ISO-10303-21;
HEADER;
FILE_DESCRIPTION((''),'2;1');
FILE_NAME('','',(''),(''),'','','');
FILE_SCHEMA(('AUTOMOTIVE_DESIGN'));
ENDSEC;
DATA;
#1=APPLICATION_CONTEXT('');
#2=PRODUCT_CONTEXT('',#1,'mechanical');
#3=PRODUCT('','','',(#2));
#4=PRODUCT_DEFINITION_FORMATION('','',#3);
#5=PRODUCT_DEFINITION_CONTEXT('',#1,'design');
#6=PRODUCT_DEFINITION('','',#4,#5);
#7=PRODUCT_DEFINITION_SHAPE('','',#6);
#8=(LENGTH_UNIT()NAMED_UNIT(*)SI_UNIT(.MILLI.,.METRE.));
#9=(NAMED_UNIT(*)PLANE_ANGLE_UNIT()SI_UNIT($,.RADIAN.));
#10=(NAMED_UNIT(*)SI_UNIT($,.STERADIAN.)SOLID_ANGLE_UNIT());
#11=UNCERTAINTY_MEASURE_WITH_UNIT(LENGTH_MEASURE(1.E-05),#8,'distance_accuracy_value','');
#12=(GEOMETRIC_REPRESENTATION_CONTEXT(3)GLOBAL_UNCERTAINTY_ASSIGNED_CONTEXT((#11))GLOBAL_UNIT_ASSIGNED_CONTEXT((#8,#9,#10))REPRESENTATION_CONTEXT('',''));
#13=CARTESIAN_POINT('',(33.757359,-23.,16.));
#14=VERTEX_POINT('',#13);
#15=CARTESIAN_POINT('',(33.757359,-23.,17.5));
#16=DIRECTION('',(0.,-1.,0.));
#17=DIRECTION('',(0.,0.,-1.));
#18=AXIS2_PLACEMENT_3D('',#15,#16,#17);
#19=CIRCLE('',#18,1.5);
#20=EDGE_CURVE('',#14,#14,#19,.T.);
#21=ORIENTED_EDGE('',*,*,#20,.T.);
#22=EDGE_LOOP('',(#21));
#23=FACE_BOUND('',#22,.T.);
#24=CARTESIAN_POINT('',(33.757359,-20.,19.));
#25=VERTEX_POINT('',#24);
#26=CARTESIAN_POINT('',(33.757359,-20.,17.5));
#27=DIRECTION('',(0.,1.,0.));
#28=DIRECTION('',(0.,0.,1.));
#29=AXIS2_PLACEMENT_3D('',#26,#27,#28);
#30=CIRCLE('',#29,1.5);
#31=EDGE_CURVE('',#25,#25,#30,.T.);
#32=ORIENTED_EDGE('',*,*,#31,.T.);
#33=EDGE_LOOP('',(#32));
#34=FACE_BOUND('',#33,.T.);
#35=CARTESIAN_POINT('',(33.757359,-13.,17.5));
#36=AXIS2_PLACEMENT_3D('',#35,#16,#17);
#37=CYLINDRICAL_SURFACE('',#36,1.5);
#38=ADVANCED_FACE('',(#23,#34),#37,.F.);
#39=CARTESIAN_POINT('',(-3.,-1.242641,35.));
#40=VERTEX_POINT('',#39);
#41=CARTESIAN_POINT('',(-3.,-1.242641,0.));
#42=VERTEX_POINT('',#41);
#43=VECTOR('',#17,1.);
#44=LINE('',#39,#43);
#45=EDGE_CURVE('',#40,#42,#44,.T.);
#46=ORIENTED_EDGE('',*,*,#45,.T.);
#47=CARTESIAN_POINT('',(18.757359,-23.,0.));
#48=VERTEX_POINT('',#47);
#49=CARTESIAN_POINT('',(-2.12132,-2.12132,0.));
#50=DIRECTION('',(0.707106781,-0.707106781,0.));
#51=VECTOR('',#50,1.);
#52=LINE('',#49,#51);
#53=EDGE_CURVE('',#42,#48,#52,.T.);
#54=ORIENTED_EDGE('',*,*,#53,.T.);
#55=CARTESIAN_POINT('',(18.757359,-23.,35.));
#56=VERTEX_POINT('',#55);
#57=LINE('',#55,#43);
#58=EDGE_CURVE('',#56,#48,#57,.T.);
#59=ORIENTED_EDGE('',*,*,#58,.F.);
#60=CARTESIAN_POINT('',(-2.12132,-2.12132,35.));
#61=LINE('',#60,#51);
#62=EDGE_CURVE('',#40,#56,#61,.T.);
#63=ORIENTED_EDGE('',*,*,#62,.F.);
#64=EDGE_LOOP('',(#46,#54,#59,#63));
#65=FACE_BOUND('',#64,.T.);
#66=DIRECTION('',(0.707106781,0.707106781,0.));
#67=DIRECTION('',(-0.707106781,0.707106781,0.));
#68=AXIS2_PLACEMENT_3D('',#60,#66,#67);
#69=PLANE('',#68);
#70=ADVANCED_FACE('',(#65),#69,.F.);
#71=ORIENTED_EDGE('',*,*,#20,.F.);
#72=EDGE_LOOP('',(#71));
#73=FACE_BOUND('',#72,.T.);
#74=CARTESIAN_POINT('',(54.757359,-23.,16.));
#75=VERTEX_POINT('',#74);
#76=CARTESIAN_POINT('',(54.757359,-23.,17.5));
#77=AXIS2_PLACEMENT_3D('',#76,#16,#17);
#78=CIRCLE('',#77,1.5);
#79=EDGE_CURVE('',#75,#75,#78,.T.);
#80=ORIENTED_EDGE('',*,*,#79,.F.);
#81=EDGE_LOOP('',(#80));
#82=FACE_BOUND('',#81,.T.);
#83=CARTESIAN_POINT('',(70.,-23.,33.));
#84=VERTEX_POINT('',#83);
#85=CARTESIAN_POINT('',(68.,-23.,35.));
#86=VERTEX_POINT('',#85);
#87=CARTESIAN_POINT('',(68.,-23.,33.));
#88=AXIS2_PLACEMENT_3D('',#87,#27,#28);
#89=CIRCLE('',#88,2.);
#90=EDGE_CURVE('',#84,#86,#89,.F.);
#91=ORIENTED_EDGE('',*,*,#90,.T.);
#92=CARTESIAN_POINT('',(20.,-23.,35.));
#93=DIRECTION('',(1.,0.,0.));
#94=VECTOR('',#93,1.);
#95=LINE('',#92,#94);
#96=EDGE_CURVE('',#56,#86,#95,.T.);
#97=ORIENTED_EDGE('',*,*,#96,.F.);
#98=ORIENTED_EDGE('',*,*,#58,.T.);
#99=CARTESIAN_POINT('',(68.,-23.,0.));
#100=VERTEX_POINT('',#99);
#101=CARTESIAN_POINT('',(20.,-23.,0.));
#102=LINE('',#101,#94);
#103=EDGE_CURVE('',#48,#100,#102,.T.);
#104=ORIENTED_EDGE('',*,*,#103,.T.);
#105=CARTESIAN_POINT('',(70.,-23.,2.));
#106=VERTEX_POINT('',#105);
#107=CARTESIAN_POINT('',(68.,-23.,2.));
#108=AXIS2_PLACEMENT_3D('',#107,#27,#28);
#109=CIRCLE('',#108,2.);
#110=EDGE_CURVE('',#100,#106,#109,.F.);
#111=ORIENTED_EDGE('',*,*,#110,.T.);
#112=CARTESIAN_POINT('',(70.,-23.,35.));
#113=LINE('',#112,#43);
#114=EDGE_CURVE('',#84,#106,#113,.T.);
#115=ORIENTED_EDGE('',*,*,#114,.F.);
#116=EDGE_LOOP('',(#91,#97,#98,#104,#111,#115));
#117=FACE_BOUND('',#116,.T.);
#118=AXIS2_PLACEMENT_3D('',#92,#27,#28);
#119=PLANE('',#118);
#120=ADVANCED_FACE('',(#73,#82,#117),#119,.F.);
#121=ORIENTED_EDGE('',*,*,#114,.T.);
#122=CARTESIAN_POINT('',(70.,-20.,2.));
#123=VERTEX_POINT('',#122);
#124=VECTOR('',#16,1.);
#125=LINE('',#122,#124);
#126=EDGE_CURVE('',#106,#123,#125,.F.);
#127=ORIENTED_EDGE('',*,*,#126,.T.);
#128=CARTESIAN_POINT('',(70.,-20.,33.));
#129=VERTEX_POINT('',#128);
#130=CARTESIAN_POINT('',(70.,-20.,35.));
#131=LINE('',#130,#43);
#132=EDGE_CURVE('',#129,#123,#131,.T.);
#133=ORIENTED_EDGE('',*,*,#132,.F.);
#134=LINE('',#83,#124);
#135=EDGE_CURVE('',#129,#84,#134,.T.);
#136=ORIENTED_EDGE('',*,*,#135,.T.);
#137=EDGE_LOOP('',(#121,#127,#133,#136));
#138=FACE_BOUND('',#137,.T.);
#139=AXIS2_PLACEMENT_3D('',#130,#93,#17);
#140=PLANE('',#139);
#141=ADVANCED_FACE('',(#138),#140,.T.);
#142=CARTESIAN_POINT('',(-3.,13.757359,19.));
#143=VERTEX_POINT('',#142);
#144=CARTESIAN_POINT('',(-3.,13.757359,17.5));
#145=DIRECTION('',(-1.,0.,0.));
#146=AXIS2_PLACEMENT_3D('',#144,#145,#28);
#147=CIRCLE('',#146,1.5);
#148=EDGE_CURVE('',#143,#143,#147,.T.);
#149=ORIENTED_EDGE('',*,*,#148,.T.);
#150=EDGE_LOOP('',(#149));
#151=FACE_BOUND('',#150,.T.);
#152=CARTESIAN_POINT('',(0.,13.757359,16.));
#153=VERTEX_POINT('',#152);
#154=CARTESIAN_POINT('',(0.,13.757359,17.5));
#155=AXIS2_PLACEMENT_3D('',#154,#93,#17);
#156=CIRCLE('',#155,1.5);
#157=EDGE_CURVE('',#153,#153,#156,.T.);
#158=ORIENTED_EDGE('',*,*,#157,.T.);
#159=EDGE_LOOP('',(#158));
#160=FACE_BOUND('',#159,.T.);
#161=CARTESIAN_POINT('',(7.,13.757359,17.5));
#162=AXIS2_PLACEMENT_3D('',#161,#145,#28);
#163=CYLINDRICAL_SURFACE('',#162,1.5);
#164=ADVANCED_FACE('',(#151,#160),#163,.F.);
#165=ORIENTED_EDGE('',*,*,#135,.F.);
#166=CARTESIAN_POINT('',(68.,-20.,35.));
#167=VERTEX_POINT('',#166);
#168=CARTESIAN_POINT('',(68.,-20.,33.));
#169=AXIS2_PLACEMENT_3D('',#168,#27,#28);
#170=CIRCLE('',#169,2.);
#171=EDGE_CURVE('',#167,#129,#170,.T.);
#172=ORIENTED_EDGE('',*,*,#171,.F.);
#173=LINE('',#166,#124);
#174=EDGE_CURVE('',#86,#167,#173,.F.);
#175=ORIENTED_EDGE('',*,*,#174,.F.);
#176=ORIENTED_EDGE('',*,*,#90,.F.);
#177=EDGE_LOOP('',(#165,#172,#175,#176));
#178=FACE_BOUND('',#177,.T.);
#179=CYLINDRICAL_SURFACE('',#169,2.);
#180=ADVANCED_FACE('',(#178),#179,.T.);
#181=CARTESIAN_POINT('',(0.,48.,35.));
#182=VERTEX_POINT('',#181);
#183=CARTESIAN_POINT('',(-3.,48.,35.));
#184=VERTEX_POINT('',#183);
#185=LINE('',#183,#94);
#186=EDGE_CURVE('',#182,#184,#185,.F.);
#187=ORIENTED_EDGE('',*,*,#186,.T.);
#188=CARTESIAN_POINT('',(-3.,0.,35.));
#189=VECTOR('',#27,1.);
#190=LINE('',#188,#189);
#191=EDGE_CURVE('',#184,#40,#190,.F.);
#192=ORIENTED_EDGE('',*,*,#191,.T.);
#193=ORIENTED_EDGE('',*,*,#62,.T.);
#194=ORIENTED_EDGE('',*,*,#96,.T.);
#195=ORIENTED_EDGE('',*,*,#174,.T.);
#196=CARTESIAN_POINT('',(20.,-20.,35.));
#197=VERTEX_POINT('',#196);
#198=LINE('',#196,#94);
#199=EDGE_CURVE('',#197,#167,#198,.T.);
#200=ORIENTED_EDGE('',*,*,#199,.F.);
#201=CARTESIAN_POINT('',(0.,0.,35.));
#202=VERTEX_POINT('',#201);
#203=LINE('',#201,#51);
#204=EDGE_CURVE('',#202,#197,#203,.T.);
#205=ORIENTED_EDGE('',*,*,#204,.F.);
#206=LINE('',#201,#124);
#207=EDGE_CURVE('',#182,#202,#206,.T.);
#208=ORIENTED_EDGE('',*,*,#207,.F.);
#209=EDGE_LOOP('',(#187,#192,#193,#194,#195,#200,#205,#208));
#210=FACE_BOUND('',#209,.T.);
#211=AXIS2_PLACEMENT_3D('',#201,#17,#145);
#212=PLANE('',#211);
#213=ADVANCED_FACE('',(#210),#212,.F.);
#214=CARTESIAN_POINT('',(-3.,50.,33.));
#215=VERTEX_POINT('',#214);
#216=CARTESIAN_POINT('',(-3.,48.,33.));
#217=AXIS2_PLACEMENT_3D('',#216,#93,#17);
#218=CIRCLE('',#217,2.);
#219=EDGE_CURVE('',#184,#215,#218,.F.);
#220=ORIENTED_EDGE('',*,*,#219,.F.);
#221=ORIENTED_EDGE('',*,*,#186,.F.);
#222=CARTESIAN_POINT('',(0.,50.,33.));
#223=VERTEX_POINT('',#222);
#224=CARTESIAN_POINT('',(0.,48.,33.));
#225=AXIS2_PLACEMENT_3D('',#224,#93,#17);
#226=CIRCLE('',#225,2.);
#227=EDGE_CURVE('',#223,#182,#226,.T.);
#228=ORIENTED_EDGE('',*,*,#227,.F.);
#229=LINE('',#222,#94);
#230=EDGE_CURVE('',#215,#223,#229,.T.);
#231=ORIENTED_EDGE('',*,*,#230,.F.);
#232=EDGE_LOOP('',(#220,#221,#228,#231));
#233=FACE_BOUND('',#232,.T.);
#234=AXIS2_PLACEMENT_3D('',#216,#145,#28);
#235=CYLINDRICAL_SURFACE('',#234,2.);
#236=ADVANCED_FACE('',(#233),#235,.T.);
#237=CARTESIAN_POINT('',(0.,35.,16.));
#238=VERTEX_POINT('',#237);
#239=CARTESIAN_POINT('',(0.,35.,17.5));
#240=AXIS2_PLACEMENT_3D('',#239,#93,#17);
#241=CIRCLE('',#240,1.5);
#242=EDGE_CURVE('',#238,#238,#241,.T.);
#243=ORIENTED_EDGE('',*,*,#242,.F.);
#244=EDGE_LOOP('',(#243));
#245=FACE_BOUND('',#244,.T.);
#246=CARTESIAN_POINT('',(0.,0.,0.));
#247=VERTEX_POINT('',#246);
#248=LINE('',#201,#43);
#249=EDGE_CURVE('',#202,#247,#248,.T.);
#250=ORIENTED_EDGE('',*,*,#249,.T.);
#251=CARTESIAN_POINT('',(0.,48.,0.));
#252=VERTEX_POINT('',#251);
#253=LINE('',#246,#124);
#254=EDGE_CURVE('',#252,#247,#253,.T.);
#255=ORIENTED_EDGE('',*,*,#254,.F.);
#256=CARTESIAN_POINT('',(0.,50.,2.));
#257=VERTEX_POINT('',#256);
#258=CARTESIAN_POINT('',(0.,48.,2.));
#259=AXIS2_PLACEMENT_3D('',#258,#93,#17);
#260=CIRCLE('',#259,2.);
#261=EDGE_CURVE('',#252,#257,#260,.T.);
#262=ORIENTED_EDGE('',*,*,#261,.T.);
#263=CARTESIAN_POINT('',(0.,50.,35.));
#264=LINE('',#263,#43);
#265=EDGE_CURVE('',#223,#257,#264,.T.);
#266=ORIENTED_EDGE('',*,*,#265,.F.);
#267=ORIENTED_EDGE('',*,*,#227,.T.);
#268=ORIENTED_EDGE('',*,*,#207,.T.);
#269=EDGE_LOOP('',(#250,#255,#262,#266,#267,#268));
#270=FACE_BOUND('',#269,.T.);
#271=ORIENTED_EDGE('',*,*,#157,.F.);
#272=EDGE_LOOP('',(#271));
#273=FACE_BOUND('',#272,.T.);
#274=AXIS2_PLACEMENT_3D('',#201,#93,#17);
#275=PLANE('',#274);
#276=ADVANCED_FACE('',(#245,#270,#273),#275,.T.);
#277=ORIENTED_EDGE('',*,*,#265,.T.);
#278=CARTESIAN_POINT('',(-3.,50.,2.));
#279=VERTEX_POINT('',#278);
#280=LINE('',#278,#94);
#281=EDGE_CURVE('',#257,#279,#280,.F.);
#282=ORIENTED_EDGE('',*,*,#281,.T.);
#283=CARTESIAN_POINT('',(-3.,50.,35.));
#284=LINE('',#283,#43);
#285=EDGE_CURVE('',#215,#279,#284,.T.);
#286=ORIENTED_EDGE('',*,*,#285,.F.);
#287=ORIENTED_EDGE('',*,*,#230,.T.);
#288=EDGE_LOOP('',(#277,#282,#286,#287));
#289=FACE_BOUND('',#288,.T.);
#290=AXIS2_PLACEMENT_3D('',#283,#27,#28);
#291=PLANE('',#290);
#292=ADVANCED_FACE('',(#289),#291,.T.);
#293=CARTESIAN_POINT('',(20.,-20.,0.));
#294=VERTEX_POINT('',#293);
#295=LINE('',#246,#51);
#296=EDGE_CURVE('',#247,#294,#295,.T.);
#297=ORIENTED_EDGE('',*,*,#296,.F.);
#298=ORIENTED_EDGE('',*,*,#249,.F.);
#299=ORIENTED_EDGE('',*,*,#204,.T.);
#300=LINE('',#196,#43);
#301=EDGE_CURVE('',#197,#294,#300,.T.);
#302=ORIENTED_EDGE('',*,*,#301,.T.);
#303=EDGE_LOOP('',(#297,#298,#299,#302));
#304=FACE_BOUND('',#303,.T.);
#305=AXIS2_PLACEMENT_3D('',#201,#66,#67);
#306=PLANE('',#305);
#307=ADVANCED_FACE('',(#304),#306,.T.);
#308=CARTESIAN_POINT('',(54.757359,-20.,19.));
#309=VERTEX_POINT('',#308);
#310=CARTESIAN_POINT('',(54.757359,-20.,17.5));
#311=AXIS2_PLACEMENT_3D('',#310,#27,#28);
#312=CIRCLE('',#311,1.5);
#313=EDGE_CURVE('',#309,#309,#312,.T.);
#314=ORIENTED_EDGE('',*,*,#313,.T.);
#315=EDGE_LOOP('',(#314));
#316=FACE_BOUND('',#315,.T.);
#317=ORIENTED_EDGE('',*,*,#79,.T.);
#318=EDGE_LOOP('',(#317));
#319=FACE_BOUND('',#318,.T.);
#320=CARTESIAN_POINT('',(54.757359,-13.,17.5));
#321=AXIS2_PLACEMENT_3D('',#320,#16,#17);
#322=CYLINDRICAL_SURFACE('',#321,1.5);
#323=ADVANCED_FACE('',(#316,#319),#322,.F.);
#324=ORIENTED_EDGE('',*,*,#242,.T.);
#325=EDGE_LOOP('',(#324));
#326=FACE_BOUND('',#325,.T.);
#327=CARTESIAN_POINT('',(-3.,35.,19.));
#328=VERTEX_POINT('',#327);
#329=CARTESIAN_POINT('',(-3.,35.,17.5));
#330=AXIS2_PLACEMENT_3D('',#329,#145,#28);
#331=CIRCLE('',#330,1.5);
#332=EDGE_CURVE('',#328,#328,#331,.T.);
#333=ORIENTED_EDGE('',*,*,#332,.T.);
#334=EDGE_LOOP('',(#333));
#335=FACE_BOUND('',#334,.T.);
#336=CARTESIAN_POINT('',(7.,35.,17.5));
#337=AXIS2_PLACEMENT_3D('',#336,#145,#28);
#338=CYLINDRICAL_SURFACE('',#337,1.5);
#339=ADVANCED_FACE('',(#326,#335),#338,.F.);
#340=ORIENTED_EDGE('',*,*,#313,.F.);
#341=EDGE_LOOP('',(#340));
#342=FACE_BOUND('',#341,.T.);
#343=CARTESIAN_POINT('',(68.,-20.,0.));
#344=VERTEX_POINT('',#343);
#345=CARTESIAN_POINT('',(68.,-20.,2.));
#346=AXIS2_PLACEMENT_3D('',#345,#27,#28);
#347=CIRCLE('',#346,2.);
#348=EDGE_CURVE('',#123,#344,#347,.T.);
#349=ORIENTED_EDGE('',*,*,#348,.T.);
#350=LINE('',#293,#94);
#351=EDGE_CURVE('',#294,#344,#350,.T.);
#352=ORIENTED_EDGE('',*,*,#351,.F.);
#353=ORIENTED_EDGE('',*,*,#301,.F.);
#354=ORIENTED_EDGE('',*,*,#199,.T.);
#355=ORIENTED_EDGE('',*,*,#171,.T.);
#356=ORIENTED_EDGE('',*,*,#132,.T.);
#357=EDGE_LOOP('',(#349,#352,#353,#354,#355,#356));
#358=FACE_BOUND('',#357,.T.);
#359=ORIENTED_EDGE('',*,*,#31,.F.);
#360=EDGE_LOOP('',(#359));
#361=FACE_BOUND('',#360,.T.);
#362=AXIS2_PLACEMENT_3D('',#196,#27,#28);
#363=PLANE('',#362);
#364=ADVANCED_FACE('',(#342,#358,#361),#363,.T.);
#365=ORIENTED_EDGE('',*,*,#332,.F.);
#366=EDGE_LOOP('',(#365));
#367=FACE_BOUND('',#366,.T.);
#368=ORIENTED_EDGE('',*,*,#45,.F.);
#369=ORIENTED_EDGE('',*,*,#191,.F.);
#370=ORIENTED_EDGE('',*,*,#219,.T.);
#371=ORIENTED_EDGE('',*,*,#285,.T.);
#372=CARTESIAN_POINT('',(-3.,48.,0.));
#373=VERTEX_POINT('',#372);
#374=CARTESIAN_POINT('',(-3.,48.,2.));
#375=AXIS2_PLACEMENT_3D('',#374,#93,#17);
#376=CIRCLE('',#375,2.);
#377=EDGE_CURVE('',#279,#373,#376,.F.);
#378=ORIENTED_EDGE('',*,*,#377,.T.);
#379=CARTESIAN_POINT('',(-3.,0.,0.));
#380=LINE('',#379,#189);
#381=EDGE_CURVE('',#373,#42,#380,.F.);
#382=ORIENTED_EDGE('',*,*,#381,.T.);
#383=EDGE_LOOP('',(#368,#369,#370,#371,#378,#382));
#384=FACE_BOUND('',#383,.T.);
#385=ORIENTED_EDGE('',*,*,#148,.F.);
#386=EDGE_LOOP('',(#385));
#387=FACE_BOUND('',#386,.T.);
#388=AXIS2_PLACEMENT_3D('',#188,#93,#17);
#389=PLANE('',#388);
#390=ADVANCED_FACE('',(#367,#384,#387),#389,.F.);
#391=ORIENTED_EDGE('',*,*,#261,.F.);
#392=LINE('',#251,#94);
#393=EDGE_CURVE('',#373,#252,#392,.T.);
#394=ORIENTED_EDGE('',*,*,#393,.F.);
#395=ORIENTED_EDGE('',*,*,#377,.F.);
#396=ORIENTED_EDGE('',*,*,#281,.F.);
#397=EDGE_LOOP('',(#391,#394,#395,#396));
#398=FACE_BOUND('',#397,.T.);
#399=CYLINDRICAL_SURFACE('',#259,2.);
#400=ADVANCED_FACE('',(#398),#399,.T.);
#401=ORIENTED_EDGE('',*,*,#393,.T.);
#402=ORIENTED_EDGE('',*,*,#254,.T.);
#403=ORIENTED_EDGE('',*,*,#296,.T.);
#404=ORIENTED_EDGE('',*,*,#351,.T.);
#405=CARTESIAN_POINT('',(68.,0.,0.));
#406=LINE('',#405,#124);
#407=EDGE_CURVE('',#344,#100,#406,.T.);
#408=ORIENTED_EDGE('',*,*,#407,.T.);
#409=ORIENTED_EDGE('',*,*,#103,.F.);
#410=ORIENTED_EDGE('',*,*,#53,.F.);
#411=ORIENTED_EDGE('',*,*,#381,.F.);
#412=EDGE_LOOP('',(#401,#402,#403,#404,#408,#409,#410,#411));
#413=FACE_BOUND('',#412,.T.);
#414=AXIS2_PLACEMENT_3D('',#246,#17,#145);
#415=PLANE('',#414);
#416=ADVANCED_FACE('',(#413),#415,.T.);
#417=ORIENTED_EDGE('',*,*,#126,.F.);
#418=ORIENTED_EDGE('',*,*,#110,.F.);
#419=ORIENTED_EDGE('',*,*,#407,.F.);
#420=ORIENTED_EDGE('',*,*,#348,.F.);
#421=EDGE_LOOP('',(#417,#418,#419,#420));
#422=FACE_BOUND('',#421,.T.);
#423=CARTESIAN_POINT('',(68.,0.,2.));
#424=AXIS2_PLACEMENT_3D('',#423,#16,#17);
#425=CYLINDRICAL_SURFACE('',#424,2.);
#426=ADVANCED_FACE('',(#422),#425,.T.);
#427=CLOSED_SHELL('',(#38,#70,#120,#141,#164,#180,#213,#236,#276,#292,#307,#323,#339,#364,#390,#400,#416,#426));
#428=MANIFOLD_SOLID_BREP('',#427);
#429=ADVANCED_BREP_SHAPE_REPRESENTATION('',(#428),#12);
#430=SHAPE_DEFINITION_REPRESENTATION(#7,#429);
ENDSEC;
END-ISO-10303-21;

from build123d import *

# Parameters (mm, degrees)
EXTRU_MINCE1_DEPTH      = 35
CONG_3_R                = 2
CONG_4_R                = 2
CONG_5_R                = 2
CONG_6_R                = 2
ESQUISSE2_R             = 1.5
ENL_V_MAT_EXTRU_1_DEPTH = 10
ESQUISSE3_R             = 1.5
ENL_V_MAT_EXTRU_2_DEPTH = 10


with BuildPart() as part:
    # Esquisse1 → Extru.-Mince1 (new body)
    with BuildSketch(Plane.XY):
        Polygon((70, -20), (20, -20), (0, 0), (0, 50), (-3, 50), (-3, -1.242640687), (18.757359313, -23), (70, -23), align=None)
    extrude(amount=EXTRU_MINCE1_DEPTH)

    # Congé3
    cong_3_edges = [part.edges().sort_by_distance(p)[0] for p in [
        (-1.5, 50, 35),
    ]]
    fillet(cong_3_edges, radius=CONG_3_R)

    # Congé4
    cong_4_edges = [part.edges().sort_by_distance(p)[0] for p in [
        (-1.5, 50, 0),
    ]]
    fillet(cong_4_edges, radius=CONG_4_R)

    # Congé5
    cong_5_edges = [part.edges().sort_by_distance(p)[0] for p in [
        (70, -21.5, 35),
    ]]
    fillet(cong_5_edges, radius=CONG_5_R)

    # Congé6
    cong_6_edges = [part.edges().sort_by_distance(p)[0] for p in [
        (70, -21.5, 0),
    ]]
    fillet(cong_6_edges, radius=CONG_6_R)

    # Esquisse2 → Enlèv. mat.-Extru.1 (cut)
    with BuildSketch(Plane.XZ.offset(23)):
        with Locations(Location((33.757359313, 17.5, 0), (0, 0, 270))):
            Circle(ESQUISSE2_R)
        with Locations(Location((54.757359313, 17.5, 0), (0, 0, 270))):
            Circle(ESQUISSE2_R)
    extrude(amount=-ENL_V_MAT_EXTRU_1_DEPTH, mode=Mode.SUBTRACT)

    # Esquisse3 → Enlèv. mat.-Extru.2 (cut)
    with BuildSketch(Plane.ZY.offset(3)):
        with Locations((17.5, 35)):
            Circle(ESQUISSE3_R)
        with Locations((17.5, 13.757359313)):
            Circle(ESQUISSE3_R)
    extrude(amount=-ENL_V_MAT_EXTRU_2_DEPTH, mode=Mode.SUBTRACT)


solid = part.part
